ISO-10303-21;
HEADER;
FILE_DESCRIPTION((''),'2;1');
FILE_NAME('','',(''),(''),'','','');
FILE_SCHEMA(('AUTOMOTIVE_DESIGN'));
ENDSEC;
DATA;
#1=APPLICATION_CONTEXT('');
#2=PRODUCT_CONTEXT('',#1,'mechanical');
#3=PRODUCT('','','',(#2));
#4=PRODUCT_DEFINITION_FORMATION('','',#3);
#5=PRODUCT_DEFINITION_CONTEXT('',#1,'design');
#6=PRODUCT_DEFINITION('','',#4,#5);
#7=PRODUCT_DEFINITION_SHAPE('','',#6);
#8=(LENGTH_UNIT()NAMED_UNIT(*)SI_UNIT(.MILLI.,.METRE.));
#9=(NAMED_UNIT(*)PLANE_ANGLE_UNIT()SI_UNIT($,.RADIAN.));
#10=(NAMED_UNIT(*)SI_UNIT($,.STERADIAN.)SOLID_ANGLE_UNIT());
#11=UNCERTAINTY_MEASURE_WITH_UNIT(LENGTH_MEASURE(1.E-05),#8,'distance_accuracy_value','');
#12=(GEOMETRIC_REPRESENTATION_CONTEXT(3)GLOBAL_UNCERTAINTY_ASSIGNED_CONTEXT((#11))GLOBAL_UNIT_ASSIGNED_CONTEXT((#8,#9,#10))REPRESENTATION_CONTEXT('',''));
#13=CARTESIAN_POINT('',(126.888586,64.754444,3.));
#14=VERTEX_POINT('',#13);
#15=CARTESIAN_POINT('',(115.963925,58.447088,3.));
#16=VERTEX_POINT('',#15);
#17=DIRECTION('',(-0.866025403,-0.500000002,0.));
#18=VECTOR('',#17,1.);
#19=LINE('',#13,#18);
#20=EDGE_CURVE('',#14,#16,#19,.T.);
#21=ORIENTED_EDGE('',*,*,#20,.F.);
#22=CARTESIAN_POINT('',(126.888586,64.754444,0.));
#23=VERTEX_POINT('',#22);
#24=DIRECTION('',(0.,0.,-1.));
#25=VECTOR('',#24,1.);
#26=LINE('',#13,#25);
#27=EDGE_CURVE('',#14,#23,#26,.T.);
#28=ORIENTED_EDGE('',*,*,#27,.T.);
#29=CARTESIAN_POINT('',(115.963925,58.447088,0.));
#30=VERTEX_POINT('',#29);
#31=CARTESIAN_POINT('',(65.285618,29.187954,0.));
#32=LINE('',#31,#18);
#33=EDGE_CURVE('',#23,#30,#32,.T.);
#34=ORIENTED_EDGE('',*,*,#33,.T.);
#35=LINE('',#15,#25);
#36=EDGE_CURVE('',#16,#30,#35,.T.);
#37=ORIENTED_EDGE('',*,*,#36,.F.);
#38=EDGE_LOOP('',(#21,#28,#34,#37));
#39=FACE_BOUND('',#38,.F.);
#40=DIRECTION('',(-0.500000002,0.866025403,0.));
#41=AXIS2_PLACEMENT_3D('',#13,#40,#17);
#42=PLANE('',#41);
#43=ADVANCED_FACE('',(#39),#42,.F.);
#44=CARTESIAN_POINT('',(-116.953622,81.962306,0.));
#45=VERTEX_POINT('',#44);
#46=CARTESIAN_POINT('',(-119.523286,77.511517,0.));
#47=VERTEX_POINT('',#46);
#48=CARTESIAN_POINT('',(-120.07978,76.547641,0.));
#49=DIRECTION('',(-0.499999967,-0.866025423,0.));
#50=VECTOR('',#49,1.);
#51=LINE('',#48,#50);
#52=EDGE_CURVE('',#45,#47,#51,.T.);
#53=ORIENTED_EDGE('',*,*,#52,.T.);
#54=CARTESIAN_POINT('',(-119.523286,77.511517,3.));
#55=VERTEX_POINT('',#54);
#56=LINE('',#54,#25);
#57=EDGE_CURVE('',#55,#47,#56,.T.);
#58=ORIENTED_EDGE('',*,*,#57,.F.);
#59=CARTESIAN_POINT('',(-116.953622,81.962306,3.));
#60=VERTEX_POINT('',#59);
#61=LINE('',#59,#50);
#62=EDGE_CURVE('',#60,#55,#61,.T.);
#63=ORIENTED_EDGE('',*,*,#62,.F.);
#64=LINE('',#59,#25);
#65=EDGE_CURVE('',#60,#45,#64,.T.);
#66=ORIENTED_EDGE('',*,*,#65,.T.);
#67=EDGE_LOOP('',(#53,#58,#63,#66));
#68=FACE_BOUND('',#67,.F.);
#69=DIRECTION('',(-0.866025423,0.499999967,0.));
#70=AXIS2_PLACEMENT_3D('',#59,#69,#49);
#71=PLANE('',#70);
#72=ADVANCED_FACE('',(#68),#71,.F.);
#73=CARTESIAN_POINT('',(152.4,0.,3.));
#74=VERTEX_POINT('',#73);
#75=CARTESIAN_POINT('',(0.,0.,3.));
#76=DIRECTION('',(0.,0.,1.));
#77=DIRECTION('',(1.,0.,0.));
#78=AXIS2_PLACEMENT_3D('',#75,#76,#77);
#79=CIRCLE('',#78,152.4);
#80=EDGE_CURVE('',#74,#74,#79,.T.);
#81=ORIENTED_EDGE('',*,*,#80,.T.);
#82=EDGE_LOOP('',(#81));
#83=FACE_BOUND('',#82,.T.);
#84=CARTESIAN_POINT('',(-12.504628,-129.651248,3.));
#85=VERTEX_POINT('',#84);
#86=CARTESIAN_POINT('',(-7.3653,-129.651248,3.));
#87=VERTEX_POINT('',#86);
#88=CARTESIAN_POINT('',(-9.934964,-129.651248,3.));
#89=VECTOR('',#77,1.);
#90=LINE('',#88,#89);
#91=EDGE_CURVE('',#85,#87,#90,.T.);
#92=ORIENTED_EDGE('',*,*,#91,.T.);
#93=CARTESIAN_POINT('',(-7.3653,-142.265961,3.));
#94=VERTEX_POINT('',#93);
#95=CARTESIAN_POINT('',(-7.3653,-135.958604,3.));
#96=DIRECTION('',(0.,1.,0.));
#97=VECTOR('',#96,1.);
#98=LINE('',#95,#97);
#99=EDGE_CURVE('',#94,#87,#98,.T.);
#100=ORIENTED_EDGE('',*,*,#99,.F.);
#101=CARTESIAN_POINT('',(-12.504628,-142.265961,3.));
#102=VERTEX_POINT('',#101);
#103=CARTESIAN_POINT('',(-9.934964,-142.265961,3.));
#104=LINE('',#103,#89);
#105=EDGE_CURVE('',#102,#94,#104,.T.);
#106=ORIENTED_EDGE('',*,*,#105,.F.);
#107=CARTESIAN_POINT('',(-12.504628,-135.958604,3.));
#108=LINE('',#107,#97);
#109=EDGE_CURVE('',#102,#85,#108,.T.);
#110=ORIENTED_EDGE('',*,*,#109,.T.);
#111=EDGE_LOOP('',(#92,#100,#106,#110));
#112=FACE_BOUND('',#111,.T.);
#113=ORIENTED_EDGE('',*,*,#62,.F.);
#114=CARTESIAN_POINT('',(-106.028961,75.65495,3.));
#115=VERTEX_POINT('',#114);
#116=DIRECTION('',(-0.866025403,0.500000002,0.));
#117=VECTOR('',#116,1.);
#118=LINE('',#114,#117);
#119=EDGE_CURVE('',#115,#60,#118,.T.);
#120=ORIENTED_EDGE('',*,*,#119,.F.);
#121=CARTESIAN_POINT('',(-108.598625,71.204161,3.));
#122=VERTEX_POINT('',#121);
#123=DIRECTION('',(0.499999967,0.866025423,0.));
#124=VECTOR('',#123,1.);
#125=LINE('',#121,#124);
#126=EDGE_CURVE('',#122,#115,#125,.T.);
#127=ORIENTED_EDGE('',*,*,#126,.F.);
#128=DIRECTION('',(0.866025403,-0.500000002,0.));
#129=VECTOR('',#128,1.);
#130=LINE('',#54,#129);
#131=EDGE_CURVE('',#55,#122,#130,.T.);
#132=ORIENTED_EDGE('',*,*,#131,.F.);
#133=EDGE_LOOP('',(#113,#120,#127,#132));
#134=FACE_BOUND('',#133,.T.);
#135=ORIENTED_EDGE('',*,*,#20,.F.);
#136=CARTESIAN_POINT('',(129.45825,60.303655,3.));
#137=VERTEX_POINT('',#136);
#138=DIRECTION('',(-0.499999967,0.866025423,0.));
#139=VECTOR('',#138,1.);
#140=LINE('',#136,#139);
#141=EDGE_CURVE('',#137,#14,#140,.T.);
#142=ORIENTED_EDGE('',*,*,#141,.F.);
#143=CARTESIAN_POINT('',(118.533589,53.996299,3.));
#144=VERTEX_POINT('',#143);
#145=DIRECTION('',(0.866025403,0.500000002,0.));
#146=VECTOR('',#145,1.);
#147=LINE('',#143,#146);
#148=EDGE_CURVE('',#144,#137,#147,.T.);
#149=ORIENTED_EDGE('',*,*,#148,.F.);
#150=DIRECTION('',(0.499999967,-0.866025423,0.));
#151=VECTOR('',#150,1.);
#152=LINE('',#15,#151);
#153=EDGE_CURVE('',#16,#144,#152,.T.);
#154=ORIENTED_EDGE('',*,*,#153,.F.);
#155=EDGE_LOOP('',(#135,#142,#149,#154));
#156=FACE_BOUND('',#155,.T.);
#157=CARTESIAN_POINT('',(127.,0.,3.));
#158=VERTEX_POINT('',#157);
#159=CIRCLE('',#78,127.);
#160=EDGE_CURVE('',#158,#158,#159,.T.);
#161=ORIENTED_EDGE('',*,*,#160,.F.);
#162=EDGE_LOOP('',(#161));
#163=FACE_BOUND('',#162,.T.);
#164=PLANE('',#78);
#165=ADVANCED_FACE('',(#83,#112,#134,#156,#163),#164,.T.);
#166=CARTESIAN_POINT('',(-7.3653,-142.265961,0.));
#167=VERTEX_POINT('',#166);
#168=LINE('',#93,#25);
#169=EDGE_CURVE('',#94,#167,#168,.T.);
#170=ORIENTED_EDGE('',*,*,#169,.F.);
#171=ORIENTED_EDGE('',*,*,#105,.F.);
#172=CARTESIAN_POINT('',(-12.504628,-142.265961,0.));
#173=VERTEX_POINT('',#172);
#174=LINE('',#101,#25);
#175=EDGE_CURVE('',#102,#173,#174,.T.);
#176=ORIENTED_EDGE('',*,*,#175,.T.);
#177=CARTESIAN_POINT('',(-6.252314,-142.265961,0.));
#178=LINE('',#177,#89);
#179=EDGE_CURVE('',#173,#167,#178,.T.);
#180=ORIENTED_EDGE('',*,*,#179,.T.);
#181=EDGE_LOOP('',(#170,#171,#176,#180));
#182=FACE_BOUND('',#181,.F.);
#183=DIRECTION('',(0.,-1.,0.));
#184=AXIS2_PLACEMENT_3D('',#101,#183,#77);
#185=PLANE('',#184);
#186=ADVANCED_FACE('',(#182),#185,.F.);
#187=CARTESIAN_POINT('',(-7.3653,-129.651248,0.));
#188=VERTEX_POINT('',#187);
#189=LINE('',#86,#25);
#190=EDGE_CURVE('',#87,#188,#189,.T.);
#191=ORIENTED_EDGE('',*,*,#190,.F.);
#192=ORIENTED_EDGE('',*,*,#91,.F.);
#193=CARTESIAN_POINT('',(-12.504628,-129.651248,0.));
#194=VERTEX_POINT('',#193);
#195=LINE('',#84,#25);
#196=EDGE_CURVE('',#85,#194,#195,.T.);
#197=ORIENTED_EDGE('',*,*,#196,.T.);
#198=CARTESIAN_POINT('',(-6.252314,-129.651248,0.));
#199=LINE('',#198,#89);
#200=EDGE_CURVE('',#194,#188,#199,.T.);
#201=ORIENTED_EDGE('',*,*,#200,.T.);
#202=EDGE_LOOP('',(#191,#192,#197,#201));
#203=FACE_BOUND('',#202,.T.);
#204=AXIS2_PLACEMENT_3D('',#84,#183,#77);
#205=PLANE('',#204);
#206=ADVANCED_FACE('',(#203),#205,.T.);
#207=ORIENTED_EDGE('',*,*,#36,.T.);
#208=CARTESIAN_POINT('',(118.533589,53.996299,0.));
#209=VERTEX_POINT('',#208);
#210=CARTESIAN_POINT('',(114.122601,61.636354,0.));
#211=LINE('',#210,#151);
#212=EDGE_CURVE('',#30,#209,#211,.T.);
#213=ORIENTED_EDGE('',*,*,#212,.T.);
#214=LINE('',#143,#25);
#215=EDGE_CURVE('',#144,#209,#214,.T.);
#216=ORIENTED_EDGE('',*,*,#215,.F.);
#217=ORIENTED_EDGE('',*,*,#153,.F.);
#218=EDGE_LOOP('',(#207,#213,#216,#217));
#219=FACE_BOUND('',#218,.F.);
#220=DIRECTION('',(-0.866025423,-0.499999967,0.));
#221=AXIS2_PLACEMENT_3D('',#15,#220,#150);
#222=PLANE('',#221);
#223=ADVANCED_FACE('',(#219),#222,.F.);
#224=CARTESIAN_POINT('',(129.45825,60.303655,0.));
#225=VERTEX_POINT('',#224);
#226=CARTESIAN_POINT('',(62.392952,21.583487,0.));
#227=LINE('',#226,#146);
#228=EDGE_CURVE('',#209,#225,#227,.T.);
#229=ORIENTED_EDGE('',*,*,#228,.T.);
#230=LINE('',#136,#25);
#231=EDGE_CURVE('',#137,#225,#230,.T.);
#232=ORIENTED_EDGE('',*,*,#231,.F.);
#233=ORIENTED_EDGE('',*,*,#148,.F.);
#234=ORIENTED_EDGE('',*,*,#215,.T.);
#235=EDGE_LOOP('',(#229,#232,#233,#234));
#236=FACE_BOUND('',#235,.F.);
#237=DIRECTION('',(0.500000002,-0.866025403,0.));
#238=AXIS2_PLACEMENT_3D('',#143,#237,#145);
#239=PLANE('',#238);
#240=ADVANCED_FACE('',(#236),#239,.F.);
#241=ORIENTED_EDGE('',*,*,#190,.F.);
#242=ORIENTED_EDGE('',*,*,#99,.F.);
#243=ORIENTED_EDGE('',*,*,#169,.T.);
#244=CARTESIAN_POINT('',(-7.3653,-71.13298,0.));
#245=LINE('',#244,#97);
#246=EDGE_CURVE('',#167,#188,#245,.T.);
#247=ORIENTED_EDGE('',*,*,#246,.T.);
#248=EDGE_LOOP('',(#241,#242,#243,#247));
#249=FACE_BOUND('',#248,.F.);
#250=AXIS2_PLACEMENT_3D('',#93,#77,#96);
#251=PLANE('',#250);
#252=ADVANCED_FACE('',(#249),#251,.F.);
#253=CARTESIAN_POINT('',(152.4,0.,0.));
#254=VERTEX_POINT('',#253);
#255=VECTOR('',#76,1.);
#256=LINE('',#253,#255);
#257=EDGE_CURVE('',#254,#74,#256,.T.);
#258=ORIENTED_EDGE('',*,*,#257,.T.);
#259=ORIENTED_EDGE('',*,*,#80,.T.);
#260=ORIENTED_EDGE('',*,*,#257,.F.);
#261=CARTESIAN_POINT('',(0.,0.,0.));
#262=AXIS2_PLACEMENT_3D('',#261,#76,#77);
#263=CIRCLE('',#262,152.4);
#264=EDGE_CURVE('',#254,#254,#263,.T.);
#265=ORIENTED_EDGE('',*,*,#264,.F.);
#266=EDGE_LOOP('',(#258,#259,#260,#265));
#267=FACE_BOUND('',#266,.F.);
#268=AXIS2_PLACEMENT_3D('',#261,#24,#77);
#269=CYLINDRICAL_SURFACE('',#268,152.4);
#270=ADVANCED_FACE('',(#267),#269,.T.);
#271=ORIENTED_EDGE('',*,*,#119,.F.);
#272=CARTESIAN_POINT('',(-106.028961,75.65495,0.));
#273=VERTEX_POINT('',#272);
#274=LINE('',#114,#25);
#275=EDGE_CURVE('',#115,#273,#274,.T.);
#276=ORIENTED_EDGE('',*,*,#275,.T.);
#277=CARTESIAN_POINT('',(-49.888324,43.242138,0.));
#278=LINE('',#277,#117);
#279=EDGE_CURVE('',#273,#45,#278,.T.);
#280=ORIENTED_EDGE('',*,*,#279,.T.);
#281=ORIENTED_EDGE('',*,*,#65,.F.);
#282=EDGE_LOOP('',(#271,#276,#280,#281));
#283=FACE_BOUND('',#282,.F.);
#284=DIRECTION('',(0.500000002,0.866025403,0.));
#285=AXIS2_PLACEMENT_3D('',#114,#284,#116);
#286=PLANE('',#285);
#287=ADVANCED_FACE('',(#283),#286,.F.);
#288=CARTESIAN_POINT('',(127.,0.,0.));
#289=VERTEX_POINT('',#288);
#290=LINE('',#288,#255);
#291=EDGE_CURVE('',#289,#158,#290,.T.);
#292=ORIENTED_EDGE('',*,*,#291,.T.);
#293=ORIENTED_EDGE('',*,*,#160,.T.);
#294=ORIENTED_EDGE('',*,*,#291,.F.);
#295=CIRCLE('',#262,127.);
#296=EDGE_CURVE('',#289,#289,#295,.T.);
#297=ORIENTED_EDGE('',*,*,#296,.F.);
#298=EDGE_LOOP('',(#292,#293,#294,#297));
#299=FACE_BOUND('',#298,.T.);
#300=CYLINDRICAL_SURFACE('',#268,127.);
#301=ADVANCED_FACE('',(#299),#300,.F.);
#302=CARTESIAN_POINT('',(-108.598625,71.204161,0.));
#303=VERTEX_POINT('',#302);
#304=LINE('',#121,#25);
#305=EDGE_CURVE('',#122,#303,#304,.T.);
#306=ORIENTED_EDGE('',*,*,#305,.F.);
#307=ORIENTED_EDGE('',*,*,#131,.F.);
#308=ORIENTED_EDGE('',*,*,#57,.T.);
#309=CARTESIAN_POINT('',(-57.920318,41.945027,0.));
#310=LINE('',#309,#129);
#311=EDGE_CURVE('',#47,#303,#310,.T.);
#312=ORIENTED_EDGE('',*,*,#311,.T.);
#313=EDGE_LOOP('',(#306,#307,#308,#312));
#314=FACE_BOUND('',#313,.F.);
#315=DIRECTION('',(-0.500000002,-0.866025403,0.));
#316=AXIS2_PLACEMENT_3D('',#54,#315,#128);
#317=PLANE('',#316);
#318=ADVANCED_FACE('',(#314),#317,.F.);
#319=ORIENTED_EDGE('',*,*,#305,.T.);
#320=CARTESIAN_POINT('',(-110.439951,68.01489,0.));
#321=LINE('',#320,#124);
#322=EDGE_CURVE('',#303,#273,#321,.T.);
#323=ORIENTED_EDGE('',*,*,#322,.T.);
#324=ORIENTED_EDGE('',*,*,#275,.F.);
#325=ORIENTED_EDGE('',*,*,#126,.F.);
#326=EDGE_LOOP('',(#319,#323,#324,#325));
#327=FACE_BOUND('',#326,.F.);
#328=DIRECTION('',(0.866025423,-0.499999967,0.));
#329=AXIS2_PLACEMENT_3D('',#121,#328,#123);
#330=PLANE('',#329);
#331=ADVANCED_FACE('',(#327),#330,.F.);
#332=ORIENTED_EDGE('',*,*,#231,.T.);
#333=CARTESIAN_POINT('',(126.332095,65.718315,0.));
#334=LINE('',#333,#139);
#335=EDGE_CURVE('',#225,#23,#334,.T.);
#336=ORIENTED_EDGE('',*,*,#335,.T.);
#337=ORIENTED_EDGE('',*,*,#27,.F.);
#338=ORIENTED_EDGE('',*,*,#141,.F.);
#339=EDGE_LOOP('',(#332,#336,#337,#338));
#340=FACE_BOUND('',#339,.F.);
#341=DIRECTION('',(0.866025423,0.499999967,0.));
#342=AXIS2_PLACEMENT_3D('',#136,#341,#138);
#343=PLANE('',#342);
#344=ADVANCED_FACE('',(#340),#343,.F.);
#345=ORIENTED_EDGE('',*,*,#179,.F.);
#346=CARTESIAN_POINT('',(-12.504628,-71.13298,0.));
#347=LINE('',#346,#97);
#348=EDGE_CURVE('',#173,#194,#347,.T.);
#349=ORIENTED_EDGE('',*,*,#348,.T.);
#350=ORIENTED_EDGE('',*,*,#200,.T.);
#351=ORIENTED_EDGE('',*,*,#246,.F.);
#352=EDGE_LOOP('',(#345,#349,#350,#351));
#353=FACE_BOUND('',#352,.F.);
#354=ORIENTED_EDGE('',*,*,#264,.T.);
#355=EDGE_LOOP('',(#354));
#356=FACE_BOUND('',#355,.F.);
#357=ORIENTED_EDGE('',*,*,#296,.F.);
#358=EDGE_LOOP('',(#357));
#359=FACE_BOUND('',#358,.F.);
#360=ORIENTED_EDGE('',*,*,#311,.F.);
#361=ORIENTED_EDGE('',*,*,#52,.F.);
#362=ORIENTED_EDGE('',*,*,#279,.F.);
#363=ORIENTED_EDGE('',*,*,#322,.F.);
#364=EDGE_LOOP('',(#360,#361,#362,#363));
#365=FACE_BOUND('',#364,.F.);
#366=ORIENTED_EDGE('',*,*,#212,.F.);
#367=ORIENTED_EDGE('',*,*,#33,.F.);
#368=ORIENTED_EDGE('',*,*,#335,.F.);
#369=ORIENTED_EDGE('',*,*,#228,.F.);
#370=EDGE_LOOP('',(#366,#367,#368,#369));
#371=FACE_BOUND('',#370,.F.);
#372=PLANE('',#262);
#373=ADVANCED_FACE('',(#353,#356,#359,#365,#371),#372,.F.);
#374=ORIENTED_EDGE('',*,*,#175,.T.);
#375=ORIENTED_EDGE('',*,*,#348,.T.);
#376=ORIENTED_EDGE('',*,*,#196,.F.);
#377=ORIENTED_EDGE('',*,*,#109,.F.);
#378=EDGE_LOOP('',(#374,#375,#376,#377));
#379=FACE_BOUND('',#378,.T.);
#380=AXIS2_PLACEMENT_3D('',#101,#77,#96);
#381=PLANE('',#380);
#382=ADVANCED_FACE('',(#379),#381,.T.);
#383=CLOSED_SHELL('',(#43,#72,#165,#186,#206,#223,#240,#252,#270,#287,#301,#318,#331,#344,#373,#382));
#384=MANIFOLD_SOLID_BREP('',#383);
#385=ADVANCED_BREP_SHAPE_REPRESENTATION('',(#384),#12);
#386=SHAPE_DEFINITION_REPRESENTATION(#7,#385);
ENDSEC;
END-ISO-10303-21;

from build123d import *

# Parameters (mm, degrees)
F0_R     = 152.4
F0_R_2   = 127
F1_DEPTH = 3
F2_W     = 5.139328
F2_H     = 12.614713
F3_DEPTH = 25.4


with BuildPart() as f1:
    # F0 (on Top) → F1 (new body)
    with BuildSketch(Plane.XY):
        Circle(F0_R)
        Circle(F0_R_2, mode=Mode.SUBTRACT)
    extrude(amount=F1_DEPTH)

    # F2 (on face) → F3 (cut)
    with BuildSketch(Plane.XY.offset(3)):
        Polygon((-106.028961, 75.65495), (-116.953622, 81.962306), (-119.523286, 77.511517), (-108.598625, 71.204161), align=None)
        Polygon((118.533589, 53.996299), (129.45825, 60.303655), (126.888586, 64.754444), (115.963925, 58.447088), align=None)
        with Locations((-9.934964, -135.958604)):
            Rectangle(F2_W, F2_H)
    extrude(amount=-F3_DEPTH, mode=Mode.SUBTRACT)


solid = f1.part
